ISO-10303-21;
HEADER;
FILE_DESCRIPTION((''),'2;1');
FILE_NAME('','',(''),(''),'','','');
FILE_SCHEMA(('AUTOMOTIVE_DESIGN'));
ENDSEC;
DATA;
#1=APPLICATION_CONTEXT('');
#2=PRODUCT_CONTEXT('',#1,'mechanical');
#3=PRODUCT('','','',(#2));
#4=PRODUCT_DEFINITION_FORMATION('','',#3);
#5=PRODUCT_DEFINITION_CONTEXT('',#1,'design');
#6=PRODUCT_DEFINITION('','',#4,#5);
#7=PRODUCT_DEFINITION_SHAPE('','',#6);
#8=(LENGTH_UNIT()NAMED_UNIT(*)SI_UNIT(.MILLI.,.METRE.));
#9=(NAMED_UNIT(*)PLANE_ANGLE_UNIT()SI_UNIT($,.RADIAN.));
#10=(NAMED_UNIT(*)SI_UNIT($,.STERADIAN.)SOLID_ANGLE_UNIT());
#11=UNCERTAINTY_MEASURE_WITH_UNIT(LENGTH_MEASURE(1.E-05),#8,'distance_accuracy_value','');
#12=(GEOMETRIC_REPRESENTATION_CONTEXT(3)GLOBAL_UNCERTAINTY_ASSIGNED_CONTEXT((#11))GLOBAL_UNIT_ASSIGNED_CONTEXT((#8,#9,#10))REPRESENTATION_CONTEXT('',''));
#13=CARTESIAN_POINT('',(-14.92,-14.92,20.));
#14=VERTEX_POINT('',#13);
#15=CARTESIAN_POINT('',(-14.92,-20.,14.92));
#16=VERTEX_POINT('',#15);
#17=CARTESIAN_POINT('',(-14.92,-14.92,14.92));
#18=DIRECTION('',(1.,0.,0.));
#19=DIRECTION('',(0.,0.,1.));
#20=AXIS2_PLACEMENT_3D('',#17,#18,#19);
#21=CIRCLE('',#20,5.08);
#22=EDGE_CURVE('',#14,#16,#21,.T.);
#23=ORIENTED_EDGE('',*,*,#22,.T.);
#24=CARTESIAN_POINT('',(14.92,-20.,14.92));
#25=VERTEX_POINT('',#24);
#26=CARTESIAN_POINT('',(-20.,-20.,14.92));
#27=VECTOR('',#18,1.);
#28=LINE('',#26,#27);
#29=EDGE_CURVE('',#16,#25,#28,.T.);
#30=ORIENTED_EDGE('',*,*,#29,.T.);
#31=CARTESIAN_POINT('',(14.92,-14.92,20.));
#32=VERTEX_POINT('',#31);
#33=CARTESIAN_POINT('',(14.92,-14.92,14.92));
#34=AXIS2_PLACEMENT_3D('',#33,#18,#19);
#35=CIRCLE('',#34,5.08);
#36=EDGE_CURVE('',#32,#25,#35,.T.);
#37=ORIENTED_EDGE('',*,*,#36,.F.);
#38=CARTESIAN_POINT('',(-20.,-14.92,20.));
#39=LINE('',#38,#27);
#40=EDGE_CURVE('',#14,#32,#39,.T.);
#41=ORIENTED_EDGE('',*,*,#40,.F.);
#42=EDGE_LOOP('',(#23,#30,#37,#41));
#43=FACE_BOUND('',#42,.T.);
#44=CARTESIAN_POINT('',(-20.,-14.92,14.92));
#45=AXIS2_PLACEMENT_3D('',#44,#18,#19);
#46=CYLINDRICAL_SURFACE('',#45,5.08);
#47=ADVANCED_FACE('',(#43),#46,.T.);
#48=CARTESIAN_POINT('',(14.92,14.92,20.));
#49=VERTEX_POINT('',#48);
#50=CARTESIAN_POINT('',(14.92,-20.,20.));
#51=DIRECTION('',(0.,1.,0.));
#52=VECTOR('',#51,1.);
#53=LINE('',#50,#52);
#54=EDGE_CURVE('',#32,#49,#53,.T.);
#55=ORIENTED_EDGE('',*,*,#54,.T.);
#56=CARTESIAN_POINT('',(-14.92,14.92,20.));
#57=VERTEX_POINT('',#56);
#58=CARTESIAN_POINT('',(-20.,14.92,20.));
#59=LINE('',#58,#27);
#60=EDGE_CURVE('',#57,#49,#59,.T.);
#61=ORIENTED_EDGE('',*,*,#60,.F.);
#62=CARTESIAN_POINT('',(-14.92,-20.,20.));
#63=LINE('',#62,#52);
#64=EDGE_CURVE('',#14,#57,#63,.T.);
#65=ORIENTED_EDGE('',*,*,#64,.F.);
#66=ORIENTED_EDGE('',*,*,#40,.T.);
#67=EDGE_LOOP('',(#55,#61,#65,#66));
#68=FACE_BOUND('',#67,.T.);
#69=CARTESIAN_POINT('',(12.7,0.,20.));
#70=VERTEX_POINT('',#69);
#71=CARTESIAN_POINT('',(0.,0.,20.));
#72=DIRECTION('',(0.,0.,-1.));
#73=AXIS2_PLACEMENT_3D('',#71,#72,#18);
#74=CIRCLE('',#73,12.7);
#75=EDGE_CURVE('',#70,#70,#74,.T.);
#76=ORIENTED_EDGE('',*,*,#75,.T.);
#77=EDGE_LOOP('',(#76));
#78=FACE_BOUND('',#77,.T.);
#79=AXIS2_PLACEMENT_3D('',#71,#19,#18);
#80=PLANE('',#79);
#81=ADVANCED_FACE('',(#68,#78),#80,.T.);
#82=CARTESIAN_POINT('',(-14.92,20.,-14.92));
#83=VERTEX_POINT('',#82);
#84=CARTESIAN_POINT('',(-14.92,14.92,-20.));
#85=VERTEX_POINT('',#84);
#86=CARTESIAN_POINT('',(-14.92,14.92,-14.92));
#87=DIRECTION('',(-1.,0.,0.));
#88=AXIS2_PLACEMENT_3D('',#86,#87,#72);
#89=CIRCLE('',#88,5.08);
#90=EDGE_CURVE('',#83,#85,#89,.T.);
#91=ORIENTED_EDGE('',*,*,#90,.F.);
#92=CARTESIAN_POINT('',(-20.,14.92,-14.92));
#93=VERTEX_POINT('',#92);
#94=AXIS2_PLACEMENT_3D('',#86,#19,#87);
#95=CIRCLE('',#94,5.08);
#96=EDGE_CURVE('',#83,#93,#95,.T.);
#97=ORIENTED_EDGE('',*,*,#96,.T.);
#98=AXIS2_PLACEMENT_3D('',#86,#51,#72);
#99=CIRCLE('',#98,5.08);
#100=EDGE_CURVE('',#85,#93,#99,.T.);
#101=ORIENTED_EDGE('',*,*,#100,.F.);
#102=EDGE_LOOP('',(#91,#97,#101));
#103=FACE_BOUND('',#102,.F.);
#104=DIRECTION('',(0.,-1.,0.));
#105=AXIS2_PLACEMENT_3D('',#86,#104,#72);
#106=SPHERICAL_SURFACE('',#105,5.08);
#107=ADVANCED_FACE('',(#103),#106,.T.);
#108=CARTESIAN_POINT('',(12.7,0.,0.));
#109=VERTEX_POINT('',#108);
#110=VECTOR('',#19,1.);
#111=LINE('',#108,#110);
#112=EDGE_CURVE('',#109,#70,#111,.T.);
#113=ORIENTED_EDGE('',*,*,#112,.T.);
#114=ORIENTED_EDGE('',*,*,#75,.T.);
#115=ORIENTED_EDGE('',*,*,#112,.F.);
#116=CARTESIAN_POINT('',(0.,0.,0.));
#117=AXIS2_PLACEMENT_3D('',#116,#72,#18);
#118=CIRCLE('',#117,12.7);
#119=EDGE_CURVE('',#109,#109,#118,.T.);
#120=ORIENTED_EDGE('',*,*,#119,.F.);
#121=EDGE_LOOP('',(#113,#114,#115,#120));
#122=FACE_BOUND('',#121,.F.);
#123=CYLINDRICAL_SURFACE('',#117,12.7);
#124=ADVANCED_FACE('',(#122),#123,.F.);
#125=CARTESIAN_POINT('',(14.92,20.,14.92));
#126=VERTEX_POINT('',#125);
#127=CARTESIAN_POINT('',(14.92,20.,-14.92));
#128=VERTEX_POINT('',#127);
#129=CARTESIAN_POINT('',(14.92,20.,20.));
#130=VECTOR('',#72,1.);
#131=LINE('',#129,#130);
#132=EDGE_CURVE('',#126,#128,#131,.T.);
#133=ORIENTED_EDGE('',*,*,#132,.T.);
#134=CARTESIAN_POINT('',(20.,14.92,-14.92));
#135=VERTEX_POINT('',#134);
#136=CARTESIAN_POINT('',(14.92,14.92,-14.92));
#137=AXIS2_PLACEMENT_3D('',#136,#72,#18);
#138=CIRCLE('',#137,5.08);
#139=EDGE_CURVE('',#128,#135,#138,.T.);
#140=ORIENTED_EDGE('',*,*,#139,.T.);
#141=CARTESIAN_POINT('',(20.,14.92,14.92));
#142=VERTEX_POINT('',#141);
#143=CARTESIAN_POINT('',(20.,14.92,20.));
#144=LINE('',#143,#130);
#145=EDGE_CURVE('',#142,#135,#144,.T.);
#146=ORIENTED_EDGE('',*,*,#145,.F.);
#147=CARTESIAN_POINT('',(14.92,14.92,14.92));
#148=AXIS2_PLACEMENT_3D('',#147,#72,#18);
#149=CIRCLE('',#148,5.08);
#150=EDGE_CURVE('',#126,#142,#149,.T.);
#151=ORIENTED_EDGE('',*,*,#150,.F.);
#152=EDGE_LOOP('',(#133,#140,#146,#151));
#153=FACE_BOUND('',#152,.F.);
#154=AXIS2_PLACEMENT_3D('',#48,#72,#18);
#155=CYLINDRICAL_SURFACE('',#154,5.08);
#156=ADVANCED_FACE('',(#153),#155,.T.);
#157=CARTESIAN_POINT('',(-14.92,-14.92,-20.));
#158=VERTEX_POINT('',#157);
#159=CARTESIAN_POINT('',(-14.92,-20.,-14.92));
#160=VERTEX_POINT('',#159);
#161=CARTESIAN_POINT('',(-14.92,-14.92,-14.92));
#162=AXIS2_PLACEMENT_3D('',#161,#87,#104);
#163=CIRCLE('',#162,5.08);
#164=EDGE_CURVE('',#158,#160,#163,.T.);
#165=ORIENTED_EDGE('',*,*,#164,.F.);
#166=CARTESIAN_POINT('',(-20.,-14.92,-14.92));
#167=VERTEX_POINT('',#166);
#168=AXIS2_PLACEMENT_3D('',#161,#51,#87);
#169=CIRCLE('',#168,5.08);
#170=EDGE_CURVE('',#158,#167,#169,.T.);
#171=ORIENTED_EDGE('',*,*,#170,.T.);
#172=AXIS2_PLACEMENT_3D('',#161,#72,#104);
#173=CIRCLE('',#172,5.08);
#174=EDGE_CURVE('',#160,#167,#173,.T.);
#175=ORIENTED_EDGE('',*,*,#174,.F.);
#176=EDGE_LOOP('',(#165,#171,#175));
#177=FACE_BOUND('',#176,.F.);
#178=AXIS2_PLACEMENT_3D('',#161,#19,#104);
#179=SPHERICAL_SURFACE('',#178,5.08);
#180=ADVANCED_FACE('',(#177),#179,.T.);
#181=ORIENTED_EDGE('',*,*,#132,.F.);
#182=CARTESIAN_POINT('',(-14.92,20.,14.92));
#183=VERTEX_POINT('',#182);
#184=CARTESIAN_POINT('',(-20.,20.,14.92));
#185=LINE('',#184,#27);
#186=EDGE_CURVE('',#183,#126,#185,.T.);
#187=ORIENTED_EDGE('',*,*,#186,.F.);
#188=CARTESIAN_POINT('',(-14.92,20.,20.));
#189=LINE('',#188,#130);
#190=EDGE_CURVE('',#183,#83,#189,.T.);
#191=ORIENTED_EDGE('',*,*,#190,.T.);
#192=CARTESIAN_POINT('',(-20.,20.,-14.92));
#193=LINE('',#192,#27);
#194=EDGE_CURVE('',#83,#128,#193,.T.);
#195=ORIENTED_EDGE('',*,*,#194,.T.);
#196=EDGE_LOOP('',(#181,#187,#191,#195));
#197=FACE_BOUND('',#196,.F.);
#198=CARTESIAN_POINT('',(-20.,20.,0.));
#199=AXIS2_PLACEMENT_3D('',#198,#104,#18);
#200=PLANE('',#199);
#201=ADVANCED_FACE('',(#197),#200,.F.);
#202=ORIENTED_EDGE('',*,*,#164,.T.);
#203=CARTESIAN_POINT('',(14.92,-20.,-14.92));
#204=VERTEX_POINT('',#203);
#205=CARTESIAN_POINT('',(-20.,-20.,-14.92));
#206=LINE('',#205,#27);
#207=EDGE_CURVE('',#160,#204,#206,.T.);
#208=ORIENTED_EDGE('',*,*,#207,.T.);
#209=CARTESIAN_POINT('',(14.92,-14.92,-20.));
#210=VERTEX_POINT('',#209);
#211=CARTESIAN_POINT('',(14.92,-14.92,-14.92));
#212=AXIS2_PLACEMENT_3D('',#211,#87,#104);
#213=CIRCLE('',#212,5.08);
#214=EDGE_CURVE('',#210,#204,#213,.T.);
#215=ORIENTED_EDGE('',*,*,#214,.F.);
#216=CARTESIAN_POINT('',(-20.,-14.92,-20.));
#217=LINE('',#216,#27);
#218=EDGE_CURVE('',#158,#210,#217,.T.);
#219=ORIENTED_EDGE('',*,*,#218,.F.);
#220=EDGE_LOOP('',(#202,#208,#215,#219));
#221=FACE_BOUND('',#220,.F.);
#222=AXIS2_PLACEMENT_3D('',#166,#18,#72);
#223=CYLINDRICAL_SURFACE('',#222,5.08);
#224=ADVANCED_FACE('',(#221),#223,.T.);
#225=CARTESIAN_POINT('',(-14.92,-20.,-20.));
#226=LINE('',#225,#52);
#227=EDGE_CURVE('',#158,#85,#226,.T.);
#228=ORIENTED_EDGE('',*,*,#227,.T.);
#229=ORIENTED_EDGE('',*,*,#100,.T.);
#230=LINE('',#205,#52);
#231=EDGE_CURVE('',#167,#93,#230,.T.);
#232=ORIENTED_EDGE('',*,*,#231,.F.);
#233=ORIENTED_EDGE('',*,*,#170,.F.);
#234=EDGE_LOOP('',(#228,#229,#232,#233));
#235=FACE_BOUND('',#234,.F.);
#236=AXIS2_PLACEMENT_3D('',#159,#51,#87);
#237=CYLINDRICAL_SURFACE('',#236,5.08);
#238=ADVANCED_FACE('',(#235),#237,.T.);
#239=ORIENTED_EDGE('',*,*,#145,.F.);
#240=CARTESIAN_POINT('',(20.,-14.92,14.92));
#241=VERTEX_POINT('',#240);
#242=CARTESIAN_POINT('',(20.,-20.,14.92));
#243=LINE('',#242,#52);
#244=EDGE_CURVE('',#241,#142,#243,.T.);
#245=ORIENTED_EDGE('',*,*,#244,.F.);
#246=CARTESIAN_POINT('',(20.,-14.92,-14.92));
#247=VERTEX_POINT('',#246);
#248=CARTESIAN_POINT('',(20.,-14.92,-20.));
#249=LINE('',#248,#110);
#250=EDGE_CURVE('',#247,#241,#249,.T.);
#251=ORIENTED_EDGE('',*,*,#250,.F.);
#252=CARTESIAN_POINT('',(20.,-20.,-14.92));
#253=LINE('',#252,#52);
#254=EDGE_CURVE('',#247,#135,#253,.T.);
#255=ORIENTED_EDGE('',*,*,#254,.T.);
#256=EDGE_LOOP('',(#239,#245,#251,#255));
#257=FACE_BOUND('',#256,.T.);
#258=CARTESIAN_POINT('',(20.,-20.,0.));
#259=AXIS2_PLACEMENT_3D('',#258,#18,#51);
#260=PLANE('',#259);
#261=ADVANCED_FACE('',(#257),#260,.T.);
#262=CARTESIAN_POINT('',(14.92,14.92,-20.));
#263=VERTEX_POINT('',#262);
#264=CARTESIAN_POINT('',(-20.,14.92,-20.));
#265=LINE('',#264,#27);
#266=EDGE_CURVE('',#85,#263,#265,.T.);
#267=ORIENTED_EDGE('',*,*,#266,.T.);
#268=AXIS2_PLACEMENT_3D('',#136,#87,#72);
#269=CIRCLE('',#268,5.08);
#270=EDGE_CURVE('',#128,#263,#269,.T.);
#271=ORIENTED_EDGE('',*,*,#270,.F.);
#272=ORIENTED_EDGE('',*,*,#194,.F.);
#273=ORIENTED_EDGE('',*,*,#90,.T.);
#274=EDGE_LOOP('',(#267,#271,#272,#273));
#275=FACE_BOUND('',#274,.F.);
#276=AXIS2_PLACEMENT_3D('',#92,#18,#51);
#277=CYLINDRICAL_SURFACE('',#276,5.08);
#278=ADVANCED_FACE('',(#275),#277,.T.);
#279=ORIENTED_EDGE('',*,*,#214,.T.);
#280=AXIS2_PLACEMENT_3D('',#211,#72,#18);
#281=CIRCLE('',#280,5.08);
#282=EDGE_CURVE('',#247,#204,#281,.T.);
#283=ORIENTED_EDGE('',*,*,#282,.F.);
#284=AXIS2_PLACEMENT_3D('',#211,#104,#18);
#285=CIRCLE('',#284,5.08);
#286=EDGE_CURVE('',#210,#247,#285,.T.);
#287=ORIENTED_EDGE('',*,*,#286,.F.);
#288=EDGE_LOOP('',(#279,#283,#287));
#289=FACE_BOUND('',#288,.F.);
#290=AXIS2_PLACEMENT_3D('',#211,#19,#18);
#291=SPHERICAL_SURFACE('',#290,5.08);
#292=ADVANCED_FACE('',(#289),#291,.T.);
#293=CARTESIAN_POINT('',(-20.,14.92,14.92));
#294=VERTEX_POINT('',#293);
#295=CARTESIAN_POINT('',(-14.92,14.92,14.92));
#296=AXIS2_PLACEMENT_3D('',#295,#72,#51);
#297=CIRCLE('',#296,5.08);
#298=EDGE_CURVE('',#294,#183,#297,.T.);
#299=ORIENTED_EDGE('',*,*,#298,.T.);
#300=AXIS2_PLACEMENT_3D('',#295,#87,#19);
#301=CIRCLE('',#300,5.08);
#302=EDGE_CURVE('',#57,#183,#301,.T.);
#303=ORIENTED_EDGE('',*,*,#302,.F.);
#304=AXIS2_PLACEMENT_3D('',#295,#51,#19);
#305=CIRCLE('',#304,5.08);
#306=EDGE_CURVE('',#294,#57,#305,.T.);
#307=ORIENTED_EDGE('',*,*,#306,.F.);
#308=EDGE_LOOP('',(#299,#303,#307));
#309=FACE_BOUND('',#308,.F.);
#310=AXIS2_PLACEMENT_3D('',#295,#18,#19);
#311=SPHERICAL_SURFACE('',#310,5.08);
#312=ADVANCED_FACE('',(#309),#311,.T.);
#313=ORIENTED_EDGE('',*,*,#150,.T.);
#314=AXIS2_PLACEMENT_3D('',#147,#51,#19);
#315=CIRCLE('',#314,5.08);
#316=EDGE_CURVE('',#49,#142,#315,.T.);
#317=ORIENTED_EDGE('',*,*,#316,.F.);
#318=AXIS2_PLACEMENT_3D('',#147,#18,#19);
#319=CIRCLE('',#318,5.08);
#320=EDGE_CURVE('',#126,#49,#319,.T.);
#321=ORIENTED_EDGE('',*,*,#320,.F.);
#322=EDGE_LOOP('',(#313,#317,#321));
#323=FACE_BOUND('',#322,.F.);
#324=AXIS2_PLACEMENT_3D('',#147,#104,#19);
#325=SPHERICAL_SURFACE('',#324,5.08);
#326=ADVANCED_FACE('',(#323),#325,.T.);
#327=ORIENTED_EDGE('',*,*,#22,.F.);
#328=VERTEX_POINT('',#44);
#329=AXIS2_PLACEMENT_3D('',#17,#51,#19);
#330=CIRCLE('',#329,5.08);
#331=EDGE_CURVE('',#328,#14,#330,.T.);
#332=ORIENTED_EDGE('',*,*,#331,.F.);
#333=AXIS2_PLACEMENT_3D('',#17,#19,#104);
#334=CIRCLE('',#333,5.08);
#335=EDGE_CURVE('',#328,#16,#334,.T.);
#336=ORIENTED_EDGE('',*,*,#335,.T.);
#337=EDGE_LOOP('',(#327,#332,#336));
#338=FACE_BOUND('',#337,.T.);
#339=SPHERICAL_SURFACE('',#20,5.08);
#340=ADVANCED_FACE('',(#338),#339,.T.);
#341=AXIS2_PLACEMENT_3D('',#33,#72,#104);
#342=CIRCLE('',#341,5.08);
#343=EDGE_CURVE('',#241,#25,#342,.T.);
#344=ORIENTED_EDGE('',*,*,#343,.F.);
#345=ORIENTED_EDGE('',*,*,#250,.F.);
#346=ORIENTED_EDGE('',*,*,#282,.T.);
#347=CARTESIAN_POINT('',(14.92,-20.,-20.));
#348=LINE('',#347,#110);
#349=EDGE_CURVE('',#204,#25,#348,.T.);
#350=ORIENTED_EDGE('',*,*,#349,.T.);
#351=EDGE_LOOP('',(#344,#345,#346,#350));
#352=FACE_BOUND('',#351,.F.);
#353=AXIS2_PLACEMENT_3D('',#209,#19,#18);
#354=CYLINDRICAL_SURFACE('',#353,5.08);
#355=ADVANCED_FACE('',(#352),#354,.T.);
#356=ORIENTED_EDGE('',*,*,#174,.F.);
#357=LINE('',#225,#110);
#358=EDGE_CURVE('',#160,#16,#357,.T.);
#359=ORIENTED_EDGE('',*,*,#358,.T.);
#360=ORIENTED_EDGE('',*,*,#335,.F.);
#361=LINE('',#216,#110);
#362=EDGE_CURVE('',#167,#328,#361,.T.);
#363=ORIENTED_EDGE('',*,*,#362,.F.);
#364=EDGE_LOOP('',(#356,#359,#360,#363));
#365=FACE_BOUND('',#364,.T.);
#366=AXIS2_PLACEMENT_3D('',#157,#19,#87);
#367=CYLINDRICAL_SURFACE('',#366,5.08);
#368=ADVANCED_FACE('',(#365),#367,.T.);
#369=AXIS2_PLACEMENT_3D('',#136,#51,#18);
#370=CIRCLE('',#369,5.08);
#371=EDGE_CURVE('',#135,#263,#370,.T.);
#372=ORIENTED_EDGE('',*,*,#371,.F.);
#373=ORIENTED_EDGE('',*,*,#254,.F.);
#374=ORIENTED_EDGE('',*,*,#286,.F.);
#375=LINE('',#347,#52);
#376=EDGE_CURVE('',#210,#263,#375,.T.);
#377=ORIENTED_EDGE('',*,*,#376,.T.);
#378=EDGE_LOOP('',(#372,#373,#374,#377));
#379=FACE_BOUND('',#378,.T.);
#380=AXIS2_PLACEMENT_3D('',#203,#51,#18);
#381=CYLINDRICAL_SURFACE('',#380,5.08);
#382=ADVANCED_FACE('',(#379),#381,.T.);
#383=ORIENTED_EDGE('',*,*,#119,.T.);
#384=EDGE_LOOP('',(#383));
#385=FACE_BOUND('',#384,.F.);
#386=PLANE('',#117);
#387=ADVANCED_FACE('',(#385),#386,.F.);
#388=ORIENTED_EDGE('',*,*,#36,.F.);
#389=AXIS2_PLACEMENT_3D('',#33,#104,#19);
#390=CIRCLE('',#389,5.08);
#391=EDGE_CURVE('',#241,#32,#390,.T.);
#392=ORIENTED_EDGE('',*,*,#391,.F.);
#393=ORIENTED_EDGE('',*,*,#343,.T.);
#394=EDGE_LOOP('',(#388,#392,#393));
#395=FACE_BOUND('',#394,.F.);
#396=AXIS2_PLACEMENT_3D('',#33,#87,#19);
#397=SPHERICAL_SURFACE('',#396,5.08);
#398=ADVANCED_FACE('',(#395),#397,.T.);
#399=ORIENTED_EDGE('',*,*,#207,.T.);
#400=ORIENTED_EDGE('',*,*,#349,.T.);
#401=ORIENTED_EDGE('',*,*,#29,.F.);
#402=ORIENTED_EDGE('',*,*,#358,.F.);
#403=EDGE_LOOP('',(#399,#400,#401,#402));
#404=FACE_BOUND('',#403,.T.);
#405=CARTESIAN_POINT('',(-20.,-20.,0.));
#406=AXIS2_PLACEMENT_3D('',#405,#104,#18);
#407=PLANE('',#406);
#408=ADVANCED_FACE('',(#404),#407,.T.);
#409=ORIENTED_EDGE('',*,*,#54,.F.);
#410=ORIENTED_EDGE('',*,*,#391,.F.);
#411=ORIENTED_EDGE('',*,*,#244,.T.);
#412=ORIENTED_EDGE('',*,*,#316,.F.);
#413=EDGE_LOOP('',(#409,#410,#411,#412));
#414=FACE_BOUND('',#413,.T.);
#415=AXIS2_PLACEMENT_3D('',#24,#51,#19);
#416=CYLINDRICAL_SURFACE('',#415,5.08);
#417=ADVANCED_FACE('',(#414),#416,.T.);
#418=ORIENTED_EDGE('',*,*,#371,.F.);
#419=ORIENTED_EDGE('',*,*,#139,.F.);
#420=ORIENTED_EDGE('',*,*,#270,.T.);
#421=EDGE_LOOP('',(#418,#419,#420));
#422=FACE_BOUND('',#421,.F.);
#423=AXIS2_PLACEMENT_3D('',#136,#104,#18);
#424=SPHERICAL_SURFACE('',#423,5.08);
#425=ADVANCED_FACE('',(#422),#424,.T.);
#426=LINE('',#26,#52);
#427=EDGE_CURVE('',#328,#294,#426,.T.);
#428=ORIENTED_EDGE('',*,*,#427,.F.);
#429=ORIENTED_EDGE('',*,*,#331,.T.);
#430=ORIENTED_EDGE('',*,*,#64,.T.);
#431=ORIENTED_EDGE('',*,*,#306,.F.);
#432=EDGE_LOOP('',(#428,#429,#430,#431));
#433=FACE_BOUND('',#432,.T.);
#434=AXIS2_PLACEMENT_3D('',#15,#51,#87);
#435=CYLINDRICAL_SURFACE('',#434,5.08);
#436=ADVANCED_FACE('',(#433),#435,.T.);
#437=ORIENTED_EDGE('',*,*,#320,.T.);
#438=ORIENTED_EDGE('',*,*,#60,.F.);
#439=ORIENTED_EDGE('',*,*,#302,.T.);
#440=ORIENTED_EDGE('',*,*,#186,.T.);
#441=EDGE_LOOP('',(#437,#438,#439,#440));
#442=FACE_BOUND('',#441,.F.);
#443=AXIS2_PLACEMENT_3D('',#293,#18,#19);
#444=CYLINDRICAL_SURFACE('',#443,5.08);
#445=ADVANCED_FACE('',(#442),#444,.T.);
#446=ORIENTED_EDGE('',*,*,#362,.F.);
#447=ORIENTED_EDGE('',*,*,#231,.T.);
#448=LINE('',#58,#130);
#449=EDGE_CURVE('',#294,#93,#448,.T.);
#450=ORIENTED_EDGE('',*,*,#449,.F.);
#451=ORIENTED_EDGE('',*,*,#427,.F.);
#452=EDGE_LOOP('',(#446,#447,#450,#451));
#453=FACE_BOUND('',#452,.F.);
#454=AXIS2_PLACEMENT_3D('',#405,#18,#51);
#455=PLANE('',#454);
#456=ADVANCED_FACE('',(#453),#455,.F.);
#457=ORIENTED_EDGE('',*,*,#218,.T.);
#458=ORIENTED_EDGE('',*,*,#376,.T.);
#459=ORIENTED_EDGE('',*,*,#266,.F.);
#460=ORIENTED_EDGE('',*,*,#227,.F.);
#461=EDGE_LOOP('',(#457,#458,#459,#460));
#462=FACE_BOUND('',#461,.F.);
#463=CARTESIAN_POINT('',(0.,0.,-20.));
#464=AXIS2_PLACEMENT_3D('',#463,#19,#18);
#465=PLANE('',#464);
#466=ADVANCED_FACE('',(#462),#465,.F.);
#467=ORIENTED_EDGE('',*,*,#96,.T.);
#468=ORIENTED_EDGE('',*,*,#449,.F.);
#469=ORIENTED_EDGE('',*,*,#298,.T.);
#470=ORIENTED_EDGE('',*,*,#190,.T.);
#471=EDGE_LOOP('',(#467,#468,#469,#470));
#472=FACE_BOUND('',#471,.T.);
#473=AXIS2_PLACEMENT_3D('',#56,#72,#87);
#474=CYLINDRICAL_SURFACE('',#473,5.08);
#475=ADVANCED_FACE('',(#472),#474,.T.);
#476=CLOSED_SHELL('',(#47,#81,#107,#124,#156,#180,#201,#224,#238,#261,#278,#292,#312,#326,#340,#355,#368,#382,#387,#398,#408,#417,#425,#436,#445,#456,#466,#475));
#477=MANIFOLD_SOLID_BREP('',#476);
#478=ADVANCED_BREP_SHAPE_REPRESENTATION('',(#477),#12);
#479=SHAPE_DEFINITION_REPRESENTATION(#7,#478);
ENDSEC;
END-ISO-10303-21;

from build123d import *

# Parameters (mm, degrees)
F0_W     = 40
F0_H     = 40
F1_DEPTH = 20
F2_R     = 5.08
F3_D     = 25.4
F3_DEPTH = 20.001


with BuildPart() as f1:
    # F0 (on Top) → F1 (new body, symmetric)
    with BuildSketch(Plane.XY):
        Rectangle(F0_W, F0_H)
    extrude(amount=F1_DEPTH, both=True)

    # F2
    f2_edges = [f1.edges().sort_by_distance(p)[0] for p in [
        (0, -20, 20),
        (20, 0, 20),
        (0, 20, 20),
        (-20, 0, 20),
        (-20, -20, 0),
        (20, -20, 0),
        (20, 0, -20),
        (20, 20, 0),
        (0, -20, -20),
        (-20, 0, -20),
        (0, 20, -20),
        (-20, 20, 0),
    ]]
    fillet(f2_edges, radius=F2_R)

    # F3 (through all, one way)
    with BuildSketch(Plane(origin=(0, 0, 0), x_dir=(1, 0, 0), z_dir=(0, 0, -1))):
        with Locations((0, 0)):
            Circle(F3_D / 2)
    extrude(amount=-F3_DEPTH, mode=Mode.SUBTRACT)


solid = f1.part
